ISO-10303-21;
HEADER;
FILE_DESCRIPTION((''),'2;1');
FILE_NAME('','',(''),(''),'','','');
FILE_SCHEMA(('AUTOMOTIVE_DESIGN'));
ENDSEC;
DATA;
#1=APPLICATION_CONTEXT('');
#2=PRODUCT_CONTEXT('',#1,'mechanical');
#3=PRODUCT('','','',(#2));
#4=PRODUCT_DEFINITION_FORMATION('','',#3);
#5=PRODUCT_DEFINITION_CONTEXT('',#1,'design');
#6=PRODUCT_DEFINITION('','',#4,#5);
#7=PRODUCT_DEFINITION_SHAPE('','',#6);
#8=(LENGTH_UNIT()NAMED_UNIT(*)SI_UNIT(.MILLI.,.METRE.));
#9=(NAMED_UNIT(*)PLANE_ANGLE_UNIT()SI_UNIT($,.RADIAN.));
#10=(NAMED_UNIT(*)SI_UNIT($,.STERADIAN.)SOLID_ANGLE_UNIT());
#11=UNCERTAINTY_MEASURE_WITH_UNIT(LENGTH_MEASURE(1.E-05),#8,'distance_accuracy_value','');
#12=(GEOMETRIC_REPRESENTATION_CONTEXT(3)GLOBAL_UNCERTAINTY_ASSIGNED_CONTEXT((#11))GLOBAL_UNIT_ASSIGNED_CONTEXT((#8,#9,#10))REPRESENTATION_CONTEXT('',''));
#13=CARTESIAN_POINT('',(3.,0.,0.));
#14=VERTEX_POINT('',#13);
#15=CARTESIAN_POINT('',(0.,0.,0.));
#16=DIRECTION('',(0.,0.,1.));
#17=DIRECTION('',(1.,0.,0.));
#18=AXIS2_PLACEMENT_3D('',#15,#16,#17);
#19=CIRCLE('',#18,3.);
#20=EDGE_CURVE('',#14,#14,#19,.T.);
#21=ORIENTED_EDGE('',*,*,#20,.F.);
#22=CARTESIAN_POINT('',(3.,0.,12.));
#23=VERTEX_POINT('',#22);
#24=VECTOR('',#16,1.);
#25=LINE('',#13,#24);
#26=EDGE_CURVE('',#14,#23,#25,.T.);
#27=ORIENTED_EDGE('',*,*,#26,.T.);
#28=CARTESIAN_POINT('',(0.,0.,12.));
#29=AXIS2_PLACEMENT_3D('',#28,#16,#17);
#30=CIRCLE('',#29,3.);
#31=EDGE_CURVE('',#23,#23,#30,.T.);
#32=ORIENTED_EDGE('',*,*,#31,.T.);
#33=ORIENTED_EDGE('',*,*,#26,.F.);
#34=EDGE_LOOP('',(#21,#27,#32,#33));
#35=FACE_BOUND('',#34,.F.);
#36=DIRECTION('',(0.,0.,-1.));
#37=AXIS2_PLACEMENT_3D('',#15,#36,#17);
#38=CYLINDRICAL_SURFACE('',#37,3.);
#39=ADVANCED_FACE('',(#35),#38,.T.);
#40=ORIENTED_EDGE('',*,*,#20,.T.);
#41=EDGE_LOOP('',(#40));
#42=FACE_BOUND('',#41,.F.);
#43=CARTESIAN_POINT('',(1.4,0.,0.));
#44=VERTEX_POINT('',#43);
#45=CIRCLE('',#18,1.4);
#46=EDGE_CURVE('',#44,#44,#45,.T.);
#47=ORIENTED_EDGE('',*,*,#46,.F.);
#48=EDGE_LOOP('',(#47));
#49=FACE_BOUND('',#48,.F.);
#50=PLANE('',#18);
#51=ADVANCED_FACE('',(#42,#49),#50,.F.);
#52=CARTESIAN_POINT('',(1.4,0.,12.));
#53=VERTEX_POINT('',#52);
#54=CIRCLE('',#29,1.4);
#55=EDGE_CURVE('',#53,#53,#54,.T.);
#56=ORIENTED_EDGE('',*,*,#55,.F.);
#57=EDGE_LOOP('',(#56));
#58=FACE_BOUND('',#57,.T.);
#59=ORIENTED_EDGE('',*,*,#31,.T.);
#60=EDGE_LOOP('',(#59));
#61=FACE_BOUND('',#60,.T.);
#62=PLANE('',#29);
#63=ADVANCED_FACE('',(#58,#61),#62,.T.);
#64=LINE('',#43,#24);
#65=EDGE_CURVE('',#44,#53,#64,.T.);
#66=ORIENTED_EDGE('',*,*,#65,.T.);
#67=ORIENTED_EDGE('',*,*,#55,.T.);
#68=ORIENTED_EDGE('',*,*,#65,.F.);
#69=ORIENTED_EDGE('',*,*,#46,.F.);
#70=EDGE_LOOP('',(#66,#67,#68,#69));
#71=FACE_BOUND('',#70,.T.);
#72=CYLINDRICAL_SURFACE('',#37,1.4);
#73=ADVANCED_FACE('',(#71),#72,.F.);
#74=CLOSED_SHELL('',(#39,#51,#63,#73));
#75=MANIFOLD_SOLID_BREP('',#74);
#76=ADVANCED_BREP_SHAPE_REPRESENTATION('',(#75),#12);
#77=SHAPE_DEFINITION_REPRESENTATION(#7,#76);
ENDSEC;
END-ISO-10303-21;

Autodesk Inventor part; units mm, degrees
ref_plane "YZ Plane" through (0, 0, 0) normal (1, 0, 0) x (0, 1, 0)
ref_plane "XZ Plane" through (0, 0, 0) normal (0, 1, 0) x (-1, 0, 0)
ref_plane "XY Plane" through (0, 0, 0) normal (0, 0, 1) x (1, 0, 0)
sketch "スケッチ1" plane through (0, 0, 0) normal (0, 0, 1) x (1, 0, 0)
  circle A0 centre (0, 0) radius 3
  circle A1 centre (0, 0) radius 1.4
  dimension "d0" = 6
  dimension "d1" = 2.8
extrude "押し出し1" add sketch "スケッチ1" along normal blind 12
properties part number "12mm" material "アルミニウム"
